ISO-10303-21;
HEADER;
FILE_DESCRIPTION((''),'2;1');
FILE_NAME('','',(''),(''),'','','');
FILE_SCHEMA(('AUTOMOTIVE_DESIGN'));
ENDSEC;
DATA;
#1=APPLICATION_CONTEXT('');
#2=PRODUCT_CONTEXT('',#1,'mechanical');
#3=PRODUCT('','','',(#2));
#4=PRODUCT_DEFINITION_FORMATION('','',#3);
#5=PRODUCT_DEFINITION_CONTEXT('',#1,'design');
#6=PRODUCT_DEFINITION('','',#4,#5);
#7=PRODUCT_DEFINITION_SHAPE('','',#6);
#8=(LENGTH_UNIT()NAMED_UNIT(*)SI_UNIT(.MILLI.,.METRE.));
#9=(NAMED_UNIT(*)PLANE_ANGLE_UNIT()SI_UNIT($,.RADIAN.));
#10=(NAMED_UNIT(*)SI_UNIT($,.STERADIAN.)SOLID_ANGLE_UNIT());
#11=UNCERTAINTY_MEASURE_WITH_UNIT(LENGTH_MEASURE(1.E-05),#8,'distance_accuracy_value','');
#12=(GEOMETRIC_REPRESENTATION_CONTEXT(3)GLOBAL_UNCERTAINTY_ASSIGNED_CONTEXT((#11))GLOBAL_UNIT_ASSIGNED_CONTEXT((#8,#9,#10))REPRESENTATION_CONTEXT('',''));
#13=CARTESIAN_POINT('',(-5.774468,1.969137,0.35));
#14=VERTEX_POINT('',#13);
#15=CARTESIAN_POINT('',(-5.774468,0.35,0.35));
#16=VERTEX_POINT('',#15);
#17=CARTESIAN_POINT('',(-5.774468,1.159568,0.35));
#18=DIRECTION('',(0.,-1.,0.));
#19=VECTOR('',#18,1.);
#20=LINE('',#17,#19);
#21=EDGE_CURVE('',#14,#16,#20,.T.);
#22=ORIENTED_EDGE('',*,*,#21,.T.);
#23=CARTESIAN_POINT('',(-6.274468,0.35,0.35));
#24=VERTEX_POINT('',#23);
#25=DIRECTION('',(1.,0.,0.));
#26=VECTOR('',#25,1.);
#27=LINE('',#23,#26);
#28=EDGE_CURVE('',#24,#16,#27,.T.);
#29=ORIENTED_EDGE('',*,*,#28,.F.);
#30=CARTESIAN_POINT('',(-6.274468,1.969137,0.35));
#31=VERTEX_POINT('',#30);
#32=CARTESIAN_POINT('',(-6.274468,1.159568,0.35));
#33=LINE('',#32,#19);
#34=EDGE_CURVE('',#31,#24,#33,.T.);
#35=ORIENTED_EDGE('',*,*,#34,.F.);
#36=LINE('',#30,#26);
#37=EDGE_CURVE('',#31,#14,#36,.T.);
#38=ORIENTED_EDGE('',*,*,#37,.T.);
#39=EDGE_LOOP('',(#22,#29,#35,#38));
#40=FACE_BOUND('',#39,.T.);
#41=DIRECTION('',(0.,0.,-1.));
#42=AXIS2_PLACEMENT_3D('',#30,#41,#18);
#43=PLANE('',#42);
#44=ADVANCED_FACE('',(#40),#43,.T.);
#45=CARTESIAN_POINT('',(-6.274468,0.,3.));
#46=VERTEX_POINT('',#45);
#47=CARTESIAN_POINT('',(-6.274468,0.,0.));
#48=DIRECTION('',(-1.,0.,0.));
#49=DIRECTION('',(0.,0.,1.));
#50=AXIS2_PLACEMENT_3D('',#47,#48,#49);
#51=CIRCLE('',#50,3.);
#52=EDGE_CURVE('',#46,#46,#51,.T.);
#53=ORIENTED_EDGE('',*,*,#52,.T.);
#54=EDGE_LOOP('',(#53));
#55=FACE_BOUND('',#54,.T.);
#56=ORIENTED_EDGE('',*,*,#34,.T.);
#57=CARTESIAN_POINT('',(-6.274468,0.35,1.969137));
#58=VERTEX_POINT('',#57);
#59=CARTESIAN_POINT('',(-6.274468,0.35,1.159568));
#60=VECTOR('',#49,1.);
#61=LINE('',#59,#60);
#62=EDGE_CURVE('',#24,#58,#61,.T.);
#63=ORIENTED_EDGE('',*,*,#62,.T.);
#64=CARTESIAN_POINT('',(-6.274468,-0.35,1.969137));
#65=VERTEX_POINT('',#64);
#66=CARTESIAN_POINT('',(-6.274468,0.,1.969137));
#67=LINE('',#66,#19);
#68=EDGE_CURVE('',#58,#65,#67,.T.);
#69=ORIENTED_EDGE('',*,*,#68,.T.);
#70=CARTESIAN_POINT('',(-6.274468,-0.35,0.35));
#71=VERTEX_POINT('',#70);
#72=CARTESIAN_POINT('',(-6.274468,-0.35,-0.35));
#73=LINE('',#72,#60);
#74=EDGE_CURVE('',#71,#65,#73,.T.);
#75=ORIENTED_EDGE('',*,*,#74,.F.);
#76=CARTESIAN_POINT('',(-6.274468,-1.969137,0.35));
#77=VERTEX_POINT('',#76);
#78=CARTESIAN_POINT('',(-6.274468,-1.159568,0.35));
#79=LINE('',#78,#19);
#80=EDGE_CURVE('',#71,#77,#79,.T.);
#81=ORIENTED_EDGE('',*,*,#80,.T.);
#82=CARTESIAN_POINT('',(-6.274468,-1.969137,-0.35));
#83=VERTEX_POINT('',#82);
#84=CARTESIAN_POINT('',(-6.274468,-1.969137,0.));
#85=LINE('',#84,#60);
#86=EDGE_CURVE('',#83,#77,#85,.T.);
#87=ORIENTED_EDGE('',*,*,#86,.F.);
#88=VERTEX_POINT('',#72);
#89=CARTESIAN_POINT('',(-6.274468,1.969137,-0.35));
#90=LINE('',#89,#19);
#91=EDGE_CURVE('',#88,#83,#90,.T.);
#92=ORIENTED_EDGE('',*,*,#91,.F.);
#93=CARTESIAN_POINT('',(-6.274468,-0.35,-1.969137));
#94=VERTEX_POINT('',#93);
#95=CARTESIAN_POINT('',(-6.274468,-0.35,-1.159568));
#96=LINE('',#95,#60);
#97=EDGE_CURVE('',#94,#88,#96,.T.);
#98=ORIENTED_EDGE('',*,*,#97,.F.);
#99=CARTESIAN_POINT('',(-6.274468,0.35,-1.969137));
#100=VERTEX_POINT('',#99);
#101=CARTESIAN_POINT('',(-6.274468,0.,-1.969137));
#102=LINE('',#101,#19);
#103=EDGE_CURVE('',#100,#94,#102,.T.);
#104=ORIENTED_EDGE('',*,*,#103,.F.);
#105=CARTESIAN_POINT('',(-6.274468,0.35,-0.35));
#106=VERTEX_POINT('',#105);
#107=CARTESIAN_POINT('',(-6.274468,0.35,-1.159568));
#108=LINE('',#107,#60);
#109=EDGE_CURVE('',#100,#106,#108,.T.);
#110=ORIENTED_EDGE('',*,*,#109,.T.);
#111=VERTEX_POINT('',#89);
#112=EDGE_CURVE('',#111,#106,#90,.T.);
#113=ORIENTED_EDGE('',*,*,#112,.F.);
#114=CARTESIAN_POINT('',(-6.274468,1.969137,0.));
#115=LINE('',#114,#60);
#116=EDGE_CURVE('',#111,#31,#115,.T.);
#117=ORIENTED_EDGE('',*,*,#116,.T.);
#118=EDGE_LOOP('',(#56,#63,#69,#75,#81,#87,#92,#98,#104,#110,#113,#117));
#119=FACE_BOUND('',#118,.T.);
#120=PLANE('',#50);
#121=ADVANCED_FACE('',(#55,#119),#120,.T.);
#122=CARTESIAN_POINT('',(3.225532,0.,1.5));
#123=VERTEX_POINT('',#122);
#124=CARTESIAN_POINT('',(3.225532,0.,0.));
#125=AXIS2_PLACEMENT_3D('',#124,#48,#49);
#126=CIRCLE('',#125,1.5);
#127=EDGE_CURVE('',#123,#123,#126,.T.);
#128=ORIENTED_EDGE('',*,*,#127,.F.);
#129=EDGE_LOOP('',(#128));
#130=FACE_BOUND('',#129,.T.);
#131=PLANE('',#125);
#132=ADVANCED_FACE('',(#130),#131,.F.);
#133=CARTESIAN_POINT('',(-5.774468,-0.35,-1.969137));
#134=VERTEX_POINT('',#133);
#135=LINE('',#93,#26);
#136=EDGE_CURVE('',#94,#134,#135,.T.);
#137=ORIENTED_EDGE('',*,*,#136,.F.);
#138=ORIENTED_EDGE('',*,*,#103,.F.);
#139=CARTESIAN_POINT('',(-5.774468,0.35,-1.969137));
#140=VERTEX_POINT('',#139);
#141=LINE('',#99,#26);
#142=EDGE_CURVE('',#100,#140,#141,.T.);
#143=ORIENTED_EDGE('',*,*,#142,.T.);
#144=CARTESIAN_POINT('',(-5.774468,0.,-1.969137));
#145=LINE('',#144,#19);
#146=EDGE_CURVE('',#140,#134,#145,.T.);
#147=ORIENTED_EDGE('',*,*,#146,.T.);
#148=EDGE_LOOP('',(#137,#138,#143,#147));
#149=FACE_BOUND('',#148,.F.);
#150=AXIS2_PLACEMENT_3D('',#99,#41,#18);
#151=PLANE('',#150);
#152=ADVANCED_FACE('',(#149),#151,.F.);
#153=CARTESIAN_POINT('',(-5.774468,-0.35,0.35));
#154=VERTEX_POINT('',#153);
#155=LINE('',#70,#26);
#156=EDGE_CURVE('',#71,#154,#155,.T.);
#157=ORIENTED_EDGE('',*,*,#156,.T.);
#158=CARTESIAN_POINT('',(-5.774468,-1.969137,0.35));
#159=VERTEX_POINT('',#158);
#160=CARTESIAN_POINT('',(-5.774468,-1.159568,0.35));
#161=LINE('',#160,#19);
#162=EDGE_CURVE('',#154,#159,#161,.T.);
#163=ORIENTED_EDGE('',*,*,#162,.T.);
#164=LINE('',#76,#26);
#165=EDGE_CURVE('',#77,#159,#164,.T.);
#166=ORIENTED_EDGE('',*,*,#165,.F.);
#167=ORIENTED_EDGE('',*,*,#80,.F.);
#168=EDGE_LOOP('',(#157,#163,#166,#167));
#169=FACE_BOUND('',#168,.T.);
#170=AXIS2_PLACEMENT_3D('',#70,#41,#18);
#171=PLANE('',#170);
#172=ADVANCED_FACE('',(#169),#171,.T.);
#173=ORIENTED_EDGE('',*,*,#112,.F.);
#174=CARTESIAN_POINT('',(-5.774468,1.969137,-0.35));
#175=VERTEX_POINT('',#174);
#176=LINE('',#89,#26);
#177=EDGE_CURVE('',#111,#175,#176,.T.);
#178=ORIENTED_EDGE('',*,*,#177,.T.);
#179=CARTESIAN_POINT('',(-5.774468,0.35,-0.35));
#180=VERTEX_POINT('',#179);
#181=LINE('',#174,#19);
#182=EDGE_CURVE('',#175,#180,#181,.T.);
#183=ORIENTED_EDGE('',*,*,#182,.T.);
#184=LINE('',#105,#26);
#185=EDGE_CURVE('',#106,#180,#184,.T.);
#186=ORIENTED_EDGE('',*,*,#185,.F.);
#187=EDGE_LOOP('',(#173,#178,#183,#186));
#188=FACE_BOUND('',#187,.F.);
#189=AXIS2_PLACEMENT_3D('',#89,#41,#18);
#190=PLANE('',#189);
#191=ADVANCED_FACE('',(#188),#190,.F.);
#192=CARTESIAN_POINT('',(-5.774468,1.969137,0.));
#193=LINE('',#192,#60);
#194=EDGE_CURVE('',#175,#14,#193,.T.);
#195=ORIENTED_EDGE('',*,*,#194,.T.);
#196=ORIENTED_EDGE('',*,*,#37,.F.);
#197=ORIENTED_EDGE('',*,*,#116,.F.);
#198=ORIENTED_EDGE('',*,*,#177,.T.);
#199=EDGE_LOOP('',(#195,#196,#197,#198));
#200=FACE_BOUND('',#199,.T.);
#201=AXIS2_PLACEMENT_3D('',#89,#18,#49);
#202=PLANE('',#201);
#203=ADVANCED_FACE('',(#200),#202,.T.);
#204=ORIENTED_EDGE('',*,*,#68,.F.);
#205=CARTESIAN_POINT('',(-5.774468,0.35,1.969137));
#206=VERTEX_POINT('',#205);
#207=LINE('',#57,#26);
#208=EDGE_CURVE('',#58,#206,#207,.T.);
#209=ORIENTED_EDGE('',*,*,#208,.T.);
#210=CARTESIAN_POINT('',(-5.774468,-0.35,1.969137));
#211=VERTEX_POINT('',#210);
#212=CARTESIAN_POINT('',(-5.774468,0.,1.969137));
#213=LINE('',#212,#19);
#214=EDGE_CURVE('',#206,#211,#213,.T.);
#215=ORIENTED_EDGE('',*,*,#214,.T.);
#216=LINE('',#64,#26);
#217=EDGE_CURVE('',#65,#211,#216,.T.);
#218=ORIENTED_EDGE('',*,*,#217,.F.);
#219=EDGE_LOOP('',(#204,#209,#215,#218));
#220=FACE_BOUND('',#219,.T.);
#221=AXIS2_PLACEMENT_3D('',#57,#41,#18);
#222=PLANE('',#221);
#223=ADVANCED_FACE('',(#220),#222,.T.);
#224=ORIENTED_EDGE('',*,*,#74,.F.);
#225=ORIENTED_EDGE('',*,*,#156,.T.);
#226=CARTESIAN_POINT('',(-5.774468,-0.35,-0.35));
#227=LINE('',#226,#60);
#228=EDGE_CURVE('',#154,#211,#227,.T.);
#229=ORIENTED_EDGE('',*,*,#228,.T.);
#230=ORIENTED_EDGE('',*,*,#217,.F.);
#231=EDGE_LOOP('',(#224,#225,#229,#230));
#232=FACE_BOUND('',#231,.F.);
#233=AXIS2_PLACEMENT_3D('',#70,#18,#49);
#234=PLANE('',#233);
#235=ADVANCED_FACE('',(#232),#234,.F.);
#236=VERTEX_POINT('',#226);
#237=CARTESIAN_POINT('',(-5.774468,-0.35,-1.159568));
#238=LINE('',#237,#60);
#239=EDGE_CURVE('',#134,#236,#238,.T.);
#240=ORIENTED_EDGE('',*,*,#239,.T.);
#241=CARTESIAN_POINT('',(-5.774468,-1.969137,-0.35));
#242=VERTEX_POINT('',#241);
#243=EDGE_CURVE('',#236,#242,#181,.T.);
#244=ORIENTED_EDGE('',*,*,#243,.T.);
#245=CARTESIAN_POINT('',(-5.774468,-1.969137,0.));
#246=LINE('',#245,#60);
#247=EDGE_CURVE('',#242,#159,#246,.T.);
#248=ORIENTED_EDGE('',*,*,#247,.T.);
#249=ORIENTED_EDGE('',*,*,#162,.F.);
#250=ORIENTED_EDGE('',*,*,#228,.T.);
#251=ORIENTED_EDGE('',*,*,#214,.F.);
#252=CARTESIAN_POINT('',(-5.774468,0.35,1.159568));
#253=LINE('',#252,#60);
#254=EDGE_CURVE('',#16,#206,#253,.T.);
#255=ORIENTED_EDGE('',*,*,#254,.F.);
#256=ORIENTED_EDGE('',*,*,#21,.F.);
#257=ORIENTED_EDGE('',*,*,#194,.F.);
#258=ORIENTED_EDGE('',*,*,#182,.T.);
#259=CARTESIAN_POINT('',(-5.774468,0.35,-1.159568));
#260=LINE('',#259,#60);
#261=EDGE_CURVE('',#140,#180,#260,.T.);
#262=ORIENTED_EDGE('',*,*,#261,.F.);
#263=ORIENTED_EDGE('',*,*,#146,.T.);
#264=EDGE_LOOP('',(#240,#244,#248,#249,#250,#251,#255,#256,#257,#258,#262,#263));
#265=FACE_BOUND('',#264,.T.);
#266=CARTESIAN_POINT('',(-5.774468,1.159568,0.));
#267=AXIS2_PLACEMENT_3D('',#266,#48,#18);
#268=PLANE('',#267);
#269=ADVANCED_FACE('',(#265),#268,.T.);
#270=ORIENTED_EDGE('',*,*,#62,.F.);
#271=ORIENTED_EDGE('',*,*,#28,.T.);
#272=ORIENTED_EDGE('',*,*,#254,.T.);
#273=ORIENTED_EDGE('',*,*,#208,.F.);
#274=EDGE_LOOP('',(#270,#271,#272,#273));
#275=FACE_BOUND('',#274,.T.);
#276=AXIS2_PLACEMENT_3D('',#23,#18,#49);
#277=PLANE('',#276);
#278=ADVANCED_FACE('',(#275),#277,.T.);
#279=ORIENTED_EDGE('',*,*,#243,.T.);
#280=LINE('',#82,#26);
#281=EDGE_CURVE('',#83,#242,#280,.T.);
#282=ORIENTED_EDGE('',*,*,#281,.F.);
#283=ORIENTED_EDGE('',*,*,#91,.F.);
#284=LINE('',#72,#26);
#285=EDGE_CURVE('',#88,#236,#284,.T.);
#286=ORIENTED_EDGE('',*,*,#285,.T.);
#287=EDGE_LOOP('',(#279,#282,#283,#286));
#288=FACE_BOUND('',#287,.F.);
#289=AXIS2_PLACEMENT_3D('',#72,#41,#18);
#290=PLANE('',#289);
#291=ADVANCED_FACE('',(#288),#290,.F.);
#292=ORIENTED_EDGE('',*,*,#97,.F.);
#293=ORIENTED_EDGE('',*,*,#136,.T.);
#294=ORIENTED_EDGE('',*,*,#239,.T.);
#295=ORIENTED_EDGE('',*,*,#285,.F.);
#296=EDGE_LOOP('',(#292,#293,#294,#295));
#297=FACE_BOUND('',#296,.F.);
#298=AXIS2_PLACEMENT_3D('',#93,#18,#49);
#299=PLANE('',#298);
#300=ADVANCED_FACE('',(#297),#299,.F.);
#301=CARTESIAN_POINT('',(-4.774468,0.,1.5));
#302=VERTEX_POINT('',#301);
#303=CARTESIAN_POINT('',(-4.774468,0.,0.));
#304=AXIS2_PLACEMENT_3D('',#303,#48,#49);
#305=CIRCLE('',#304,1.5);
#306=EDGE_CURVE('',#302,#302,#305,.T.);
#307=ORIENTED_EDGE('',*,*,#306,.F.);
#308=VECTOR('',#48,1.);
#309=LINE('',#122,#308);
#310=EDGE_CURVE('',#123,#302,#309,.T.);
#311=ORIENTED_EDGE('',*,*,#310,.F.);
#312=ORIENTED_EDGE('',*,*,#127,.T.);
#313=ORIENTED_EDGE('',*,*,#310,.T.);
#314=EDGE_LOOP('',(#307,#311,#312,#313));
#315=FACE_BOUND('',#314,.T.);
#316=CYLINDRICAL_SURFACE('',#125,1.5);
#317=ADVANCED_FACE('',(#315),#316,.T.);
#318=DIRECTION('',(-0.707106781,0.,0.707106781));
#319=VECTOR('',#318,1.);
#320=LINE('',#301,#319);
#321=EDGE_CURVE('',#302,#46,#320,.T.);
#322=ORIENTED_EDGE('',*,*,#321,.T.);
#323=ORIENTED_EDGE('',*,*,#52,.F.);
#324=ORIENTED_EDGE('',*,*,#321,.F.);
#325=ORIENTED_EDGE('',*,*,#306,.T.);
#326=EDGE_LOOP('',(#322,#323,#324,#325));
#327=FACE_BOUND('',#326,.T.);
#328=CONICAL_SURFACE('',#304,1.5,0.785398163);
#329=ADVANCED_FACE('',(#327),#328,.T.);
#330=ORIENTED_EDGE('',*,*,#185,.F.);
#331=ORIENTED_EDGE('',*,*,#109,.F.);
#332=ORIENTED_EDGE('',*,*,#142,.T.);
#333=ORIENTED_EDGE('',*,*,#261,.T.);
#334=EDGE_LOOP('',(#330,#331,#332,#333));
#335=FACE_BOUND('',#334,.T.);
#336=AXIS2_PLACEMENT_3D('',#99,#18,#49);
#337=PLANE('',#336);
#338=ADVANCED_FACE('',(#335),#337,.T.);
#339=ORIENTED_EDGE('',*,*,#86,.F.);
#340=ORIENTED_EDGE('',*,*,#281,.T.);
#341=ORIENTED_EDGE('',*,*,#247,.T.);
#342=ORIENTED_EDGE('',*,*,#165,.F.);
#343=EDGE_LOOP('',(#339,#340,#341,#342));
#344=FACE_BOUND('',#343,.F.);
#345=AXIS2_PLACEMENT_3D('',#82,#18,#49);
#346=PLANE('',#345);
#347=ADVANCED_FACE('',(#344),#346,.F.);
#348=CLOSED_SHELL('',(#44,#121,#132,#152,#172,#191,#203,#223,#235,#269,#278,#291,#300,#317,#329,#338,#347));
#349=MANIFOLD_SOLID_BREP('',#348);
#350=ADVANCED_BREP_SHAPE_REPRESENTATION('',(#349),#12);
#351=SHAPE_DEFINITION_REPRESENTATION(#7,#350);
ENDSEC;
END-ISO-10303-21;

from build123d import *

# Parameters (mm, degrees)
F2_W     = 1.6191368668
F2_H     = 0.7
F2_W_2   = 0.7
F2_H_2   = 1.6191368668
F3_DEPTH = 0.5


with BuildPart() as f1:
    # F0 (on Front) → F1 (revolve)
    with BuildSketch(Plane.XZ):
        Polygon((-6.2744679081, 3), (-6.2744679081, 0), (3.2255320919, 0), (3.2255320919, 1.5), (-4.7744679081, 1.5), align=None)
    revolve(axis=Axis((-2.9709025054, 0, 0), (-1, 0, 0)))

    # F2 (on face) → F3 (cut)
    with BuildSketch(Plane(origin=(-6.2744679081, 0, 0), x_dir=(0, -1, 0), z_dir=(-1, 0, 0))):
        with Locations((-1.1595684334, 0)):
            Rectangle(F2_W, F2_H)
        with Locations((0, 1.1595684334)):
            Rectangle(F2_W_2, F2_H_2)
        Rectangle(F2_W_2, F2_H)
        with Locations((1.1595684334, 0)):
            Rectangle(F2_W, F2_H)
        with Locations((0, -1.1595684334)):
            Rectangle(F2_W_2, F2_H_2)
    extrude(amount=-F3_DEPTH, mode=Mode.SUBTRACT)


solid = f1.part
